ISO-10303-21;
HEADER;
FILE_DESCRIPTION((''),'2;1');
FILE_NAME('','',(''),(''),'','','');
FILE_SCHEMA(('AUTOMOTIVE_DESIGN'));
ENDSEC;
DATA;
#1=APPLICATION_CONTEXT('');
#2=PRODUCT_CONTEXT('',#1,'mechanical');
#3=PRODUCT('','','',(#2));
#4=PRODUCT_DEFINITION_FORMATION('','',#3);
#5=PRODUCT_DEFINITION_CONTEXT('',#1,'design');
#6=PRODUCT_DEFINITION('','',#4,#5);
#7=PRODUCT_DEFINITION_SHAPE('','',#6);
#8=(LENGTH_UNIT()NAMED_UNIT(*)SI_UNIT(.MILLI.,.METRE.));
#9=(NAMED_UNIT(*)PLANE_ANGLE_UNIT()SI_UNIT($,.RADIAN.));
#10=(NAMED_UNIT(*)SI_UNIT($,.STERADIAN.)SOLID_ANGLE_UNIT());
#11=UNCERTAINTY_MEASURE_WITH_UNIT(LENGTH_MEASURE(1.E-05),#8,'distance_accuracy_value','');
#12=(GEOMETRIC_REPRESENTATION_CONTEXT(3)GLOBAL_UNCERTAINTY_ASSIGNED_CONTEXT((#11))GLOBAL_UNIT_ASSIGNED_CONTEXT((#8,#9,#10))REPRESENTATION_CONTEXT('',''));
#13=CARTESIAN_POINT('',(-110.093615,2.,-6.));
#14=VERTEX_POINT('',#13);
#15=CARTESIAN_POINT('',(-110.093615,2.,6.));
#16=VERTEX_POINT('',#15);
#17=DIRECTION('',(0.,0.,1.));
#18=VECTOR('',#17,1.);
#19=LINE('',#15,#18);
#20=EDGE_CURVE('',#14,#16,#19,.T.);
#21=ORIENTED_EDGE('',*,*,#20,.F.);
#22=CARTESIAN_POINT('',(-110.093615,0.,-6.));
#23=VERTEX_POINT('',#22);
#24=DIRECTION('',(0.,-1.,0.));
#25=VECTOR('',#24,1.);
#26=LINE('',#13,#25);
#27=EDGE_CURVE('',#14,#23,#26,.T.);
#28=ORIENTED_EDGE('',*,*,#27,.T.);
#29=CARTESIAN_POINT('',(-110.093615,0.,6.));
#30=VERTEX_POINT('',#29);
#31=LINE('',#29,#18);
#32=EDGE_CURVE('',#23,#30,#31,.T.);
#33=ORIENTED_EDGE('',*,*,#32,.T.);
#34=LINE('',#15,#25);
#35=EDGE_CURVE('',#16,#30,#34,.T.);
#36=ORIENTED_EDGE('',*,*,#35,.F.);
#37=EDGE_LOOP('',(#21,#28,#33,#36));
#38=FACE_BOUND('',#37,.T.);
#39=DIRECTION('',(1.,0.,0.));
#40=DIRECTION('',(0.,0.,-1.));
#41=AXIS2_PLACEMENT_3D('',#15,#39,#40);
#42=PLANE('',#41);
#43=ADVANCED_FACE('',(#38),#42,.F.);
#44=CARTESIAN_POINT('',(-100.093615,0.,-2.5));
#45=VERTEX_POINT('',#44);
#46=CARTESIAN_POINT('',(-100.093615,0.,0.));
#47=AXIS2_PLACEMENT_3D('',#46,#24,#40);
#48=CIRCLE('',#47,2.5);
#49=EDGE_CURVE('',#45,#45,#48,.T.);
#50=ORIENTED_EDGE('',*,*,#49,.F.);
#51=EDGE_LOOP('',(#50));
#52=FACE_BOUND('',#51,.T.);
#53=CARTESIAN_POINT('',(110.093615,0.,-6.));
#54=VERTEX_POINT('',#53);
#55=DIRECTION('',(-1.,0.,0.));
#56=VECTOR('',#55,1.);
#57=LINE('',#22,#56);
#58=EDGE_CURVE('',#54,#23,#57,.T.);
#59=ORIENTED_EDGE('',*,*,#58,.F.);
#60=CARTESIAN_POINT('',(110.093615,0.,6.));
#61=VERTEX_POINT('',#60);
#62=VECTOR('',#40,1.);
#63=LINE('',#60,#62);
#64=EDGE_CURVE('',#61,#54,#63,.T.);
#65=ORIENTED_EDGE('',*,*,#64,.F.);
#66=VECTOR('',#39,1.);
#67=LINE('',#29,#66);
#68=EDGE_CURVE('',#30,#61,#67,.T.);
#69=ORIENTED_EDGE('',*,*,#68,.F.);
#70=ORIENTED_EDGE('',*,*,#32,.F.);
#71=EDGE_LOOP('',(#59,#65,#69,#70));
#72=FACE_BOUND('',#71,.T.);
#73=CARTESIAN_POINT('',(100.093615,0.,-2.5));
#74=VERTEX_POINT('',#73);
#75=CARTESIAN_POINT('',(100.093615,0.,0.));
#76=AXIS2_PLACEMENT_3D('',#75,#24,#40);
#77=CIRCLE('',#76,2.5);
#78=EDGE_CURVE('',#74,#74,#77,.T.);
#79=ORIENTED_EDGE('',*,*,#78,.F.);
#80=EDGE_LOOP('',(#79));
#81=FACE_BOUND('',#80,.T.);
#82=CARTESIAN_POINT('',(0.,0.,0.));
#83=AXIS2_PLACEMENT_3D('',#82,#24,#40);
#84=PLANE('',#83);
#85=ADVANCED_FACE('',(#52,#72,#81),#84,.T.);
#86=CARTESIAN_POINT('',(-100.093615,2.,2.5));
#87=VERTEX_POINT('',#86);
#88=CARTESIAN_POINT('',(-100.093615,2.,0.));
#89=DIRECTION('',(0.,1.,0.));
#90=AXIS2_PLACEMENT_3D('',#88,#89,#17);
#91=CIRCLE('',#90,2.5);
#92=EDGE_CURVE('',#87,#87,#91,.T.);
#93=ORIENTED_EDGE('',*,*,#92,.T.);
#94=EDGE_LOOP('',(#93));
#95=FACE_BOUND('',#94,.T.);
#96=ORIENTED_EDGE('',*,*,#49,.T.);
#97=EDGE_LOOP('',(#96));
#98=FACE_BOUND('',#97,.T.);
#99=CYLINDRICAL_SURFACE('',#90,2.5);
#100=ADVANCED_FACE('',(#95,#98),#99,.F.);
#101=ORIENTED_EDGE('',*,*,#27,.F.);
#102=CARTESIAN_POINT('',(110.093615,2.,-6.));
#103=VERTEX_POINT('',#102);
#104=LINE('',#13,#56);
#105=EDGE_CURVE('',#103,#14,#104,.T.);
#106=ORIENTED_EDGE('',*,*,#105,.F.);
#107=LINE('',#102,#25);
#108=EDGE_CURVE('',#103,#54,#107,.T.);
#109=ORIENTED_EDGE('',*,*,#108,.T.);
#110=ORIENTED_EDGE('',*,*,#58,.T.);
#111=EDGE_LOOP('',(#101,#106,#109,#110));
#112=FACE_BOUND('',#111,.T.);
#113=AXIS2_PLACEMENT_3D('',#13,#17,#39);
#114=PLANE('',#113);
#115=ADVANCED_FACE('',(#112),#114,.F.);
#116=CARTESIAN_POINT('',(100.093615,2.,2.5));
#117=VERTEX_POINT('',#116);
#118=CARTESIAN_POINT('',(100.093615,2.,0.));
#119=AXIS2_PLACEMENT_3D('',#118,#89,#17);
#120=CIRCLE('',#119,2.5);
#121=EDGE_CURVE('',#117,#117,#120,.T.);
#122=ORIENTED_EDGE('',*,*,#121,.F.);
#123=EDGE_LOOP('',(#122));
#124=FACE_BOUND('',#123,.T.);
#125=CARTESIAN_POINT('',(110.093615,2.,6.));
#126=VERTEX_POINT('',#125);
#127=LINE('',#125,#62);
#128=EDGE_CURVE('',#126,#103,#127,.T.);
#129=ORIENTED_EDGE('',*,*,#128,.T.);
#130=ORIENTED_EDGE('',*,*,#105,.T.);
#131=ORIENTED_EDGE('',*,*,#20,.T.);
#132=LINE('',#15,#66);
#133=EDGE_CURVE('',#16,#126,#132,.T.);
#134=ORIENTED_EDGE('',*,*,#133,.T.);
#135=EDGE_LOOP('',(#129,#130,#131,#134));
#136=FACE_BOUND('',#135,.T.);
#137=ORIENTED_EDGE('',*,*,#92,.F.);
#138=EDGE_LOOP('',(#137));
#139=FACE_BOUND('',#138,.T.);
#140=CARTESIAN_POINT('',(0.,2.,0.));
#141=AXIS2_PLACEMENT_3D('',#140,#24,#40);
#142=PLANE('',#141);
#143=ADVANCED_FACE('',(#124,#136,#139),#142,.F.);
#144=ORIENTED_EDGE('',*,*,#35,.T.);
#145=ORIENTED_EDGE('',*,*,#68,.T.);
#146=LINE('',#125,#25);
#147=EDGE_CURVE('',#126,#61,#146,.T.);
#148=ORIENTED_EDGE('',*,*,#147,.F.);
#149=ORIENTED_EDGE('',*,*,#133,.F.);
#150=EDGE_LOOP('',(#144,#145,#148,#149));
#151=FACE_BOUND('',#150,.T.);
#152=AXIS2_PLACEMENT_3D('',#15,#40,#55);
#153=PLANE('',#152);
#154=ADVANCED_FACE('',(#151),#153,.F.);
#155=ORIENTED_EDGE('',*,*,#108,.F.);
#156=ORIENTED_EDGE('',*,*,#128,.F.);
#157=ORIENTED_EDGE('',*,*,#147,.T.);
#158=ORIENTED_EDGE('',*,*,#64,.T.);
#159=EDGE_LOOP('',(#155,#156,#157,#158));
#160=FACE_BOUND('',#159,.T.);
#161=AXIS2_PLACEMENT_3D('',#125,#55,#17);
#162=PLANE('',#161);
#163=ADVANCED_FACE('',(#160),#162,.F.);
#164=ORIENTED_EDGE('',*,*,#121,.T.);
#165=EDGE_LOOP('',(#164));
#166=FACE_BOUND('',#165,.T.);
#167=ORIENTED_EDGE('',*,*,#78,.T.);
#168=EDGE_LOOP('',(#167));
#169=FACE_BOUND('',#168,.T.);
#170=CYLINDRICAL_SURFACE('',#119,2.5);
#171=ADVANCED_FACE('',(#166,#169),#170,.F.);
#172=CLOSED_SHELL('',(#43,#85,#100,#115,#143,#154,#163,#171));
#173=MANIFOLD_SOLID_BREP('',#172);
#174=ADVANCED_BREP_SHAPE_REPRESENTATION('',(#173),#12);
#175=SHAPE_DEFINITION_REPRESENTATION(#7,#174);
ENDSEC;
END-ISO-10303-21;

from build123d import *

# Parameters (mm, degrees)
SKETCH1_W                 = 220.18723
SKETCH1_H                 = 12
BOSS_EXTRUDE1_DEPTH       = 2
F_5_0MM_DOWEL_HOLE1_D     = 5
F_5_0MM_DOWEL_HOLE1_DEPTH = 2


with BuildPart() as part:
    # Sketch1 → Boss-Extrude1 (new body)
    with BuildSketch(Plane(origin=(0, 0, 0), x_dir=(1, 0, 0), z_dir=(0, 1, 0))):
        Rectangle(SKETCH1_W, SKETCH1_H)
    extrude(amount=BOSS_EXTRUDE1_DEPTH)

    # Ø5.0mm Dowel Hole1
    with Locations(Plane(origin=(0, 2, 0), x_dir=(1, 0, 0), z_dir=(0, 1, 0))):
        with Locations((-100.093615, 0), (100.093615, 0)):
            Hole(F_5_0MM_DOWEL_HOLE1_D / 2, depth=F_5_0MM_DOWEL_HOLE1_DEPTH)


solid = part.part
